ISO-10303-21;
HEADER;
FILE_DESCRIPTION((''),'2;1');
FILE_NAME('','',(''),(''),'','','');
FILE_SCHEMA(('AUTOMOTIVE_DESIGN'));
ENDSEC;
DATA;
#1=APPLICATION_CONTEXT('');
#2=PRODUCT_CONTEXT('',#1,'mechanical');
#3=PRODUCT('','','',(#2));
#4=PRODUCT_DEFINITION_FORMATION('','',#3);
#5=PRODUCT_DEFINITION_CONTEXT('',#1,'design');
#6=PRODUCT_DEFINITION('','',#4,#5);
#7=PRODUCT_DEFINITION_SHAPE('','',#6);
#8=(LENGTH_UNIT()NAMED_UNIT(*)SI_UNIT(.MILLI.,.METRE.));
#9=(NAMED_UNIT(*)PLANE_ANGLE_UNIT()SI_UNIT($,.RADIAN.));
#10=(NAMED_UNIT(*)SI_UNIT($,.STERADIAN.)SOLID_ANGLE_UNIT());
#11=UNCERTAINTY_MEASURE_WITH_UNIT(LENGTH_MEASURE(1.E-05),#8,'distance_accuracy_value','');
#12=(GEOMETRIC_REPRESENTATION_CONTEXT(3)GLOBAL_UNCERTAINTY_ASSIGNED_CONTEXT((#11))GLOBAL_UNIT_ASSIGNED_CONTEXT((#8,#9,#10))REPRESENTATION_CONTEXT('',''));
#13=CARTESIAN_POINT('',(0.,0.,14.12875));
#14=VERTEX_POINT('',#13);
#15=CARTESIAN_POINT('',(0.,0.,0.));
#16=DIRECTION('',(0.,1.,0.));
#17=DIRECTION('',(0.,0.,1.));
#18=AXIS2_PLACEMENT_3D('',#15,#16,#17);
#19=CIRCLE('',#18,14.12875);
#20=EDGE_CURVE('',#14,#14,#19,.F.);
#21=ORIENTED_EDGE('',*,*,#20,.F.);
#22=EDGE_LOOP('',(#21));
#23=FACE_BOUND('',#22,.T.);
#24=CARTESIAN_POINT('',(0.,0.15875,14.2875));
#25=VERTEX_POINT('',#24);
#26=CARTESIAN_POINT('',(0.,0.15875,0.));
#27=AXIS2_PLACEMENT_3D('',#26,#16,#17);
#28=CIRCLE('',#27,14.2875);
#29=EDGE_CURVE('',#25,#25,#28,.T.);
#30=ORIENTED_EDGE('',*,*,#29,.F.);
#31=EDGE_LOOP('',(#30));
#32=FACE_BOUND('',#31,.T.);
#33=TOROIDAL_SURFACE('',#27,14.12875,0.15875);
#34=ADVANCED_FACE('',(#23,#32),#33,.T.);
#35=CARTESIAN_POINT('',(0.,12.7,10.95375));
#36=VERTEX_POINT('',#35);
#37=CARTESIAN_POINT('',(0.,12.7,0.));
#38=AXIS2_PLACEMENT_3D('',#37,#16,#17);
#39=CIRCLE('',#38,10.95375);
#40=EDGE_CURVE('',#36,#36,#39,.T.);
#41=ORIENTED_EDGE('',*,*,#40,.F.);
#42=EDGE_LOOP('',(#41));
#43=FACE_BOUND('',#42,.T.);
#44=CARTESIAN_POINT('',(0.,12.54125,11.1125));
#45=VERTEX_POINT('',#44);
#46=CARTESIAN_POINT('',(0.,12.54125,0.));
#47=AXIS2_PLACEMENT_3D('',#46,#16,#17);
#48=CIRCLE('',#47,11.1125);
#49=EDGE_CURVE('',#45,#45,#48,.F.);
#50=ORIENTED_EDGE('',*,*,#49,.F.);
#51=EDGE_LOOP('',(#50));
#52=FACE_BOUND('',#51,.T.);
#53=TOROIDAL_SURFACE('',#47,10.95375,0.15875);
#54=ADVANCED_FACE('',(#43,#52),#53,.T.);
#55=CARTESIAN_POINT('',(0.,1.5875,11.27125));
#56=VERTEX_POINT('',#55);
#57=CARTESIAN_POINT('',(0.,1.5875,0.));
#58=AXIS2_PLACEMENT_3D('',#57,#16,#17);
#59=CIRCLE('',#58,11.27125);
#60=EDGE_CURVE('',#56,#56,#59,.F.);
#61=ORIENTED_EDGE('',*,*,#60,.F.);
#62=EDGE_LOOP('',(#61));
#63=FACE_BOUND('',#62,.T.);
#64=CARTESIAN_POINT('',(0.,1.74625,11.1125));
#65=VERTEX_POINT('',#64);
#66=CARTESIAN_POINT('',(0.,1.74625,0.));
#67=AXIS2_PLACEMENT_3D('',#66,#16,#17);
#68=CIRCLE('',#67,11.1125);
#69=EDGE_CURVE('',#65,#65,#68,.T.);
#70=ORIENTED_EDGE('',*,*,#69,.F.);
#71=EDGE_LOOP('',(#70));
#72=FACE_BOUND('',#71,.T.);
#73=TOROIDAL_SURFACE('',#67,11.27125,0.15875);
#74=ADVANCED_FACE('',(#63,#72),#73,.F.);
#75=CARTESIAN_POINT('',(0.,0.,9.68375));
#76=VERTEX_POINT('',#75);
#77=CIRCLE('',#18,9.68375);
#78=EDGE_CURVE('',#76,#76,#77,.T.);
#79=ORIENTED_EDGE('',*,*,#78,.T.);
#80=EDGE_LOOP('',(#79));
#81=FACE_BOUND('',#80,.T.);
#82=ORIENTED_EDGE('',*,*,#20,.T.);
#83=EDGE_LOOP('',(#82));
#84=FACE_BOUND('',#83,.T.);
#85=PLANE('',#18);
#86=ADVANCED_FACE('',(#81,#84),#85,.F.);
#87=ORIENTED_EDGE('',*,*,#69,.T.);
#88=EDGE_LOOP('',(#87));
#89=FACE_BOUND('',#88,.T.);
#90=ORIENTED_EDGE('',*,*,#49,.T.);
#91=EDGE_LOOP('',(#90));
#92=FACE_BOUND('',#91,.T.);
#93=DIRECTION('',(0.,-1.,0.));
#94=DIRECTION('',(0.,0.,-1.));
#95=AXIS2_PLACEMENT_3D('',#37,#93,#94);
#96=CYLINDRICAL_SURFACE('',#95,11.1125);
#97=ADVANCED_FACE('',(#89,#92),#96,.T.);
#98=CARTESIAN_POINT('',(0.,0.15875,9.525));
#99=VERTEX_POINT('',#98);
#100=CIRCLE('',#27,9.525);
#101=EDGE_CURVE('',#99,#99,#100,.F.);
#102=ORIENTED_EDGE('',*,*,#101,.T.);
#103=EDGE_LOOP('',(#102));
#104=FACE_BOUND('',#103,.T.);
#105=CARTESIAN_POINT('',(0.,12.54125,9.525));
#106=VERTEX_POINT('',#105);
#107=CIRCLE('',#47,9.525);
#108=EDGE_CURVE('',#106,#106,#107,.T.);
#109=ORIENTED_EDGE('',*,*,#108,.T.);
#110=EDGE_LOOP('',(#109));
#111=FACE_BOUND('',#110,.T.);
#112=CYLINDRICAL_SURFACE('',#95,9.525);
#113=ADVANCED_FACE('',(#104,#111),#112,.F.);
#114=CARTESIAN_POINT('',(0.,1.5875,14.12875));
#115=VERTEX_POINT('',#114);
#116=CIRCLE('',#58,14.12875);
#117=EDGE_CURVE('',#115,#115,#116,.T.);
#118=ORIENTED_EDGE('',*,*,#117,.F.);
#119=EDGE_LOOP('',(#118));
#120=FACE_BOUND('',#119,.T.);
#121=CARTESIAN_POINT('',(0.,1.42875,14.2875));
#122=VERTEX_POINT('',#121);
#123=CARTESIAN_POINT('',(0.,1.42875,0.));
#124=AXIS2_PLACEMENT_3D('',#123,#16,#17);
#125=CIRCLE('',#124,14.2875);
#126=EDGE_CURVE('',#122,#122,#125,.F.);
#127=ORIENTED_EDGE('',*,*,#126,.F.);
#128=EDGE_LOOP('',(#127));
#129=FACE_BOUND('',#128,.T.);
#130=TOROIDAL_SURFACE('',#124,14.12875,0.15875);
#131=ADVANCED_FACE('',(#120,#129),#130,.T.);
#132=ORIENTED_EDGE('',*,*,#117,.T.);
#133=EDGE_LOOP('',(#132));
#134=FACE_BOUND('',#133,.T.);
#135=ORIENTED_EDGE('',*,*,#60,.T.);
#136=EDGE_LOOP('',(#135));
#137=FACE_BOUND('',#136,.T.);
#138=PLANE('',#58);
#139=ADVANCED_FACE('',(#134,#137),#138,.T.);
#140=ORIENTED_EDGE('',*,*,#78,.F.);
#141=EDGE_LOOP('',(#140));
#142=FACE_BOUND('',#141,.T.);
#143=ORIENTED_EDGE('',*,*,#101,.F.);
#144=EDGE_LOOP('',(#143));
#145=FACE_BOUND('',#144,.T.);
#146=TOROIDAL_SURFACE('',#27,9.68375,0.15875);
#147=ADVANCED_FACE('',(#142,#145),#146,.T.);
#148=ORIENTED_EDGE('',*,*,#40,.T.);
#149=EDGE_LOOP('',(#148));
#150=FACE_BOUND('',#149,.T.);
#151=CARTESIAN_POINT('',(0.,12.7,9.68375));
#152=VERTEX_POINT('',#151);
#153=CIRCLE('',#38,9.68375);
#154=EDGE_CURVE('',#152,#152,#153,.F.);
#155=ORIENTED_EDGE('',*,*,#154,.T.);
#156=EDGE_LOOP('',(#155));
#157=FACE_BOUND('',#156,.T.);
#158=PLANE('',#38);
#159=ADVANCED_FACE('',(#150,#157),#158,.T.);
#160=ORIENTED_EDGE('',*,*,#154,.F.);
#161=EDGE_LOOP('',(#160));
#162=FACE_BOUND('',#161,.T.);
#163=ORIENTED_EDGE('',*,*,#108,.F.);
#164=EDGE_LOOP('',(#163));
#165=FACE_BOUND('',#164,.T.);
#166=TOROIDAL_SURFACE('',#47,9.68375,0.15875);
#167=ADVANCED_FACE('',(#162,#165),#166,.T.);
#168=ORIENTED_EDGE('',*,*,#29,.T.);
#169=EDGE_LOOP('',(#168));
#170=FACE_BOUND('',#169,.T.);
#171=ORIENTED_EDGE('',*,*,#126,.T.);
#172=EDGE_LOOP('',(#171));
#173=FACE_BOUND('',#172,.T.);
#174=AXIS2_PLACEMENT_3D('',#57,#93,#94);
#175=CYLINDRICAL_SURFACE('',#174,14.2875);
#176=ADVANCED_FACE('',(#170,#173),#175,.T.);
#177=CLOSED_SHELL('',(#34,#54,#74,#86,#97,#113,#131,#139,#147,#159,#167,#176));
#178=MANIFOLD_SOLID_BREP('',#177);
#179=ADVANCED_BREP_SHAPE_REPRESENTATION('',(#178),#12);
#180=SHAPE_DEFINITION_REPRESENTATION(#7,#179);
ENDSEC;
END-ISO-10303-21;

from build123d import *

# Parameters (mm, degrees)
SKETCH3_R           = 11.1125
SKETCH3_R_2         = 9.525
BOSS_EXTRUDE1_DEPTH = 12.7
SKETCH4_R           = 14.2875
SKETCH4_R_2         = 11.1125
BOSS_EXTRUDE2_DEPTH = 1.5875
FILLET1_R           = 0.15875


with BuildPart() as part:
    # Sketch3 → Boss-Extrude1 (new body)
    with BuildSketch(Plane(origin=(0, 0, 0), x_dir=(1, 0, 0), z_dir=(0, 1, 0))):
        with Locations(Location((0, 0, 0), (0, 0, 270))):
            Circle(SKETCH3_R)
        with Locations(Location((0, 0, 0), (0, 0, 270))):
            Circle(SKETCH3_R_2, mode=Mode.SUBTRACT)
    extrude(amount=BOSS_EXTRUDE1_DEPTH)

    # Sketch4 → Boss-Extrude2 (add)
    with BuildSketch(Plane(origin=(0, 0, 0), x_dir=(1, 0, 0), z_dir=(0, 1, 0))):
        with Locations(Location((0, 0, 0), (0, 0, 270))):
            Circle(SKETCH4_R)
        with Locations(Location((0, 0, 0), (0, 0, 270))):
            Circle(SKETCH4_R_2, mode=Mode.SUBTRACT)
    extrude(amount=BOSS_EXTRUDE2_DEPTH)

    # Fillet1
    fillet1_edges = [part.edges().sort_by_distance(p)[0] for p in [
        (0, 0, -14.2875),
        (0, 1.5875, -11.1125),
        (0, 12.7, -11.1125),
        (0, 0, -9.525),
        (0, 12.7, -9.525),
        (0, 1.5875, -14.2875),
    ]]
    fillet(fillet1_edges, radius=FILLET1_R)


solid = part.part
